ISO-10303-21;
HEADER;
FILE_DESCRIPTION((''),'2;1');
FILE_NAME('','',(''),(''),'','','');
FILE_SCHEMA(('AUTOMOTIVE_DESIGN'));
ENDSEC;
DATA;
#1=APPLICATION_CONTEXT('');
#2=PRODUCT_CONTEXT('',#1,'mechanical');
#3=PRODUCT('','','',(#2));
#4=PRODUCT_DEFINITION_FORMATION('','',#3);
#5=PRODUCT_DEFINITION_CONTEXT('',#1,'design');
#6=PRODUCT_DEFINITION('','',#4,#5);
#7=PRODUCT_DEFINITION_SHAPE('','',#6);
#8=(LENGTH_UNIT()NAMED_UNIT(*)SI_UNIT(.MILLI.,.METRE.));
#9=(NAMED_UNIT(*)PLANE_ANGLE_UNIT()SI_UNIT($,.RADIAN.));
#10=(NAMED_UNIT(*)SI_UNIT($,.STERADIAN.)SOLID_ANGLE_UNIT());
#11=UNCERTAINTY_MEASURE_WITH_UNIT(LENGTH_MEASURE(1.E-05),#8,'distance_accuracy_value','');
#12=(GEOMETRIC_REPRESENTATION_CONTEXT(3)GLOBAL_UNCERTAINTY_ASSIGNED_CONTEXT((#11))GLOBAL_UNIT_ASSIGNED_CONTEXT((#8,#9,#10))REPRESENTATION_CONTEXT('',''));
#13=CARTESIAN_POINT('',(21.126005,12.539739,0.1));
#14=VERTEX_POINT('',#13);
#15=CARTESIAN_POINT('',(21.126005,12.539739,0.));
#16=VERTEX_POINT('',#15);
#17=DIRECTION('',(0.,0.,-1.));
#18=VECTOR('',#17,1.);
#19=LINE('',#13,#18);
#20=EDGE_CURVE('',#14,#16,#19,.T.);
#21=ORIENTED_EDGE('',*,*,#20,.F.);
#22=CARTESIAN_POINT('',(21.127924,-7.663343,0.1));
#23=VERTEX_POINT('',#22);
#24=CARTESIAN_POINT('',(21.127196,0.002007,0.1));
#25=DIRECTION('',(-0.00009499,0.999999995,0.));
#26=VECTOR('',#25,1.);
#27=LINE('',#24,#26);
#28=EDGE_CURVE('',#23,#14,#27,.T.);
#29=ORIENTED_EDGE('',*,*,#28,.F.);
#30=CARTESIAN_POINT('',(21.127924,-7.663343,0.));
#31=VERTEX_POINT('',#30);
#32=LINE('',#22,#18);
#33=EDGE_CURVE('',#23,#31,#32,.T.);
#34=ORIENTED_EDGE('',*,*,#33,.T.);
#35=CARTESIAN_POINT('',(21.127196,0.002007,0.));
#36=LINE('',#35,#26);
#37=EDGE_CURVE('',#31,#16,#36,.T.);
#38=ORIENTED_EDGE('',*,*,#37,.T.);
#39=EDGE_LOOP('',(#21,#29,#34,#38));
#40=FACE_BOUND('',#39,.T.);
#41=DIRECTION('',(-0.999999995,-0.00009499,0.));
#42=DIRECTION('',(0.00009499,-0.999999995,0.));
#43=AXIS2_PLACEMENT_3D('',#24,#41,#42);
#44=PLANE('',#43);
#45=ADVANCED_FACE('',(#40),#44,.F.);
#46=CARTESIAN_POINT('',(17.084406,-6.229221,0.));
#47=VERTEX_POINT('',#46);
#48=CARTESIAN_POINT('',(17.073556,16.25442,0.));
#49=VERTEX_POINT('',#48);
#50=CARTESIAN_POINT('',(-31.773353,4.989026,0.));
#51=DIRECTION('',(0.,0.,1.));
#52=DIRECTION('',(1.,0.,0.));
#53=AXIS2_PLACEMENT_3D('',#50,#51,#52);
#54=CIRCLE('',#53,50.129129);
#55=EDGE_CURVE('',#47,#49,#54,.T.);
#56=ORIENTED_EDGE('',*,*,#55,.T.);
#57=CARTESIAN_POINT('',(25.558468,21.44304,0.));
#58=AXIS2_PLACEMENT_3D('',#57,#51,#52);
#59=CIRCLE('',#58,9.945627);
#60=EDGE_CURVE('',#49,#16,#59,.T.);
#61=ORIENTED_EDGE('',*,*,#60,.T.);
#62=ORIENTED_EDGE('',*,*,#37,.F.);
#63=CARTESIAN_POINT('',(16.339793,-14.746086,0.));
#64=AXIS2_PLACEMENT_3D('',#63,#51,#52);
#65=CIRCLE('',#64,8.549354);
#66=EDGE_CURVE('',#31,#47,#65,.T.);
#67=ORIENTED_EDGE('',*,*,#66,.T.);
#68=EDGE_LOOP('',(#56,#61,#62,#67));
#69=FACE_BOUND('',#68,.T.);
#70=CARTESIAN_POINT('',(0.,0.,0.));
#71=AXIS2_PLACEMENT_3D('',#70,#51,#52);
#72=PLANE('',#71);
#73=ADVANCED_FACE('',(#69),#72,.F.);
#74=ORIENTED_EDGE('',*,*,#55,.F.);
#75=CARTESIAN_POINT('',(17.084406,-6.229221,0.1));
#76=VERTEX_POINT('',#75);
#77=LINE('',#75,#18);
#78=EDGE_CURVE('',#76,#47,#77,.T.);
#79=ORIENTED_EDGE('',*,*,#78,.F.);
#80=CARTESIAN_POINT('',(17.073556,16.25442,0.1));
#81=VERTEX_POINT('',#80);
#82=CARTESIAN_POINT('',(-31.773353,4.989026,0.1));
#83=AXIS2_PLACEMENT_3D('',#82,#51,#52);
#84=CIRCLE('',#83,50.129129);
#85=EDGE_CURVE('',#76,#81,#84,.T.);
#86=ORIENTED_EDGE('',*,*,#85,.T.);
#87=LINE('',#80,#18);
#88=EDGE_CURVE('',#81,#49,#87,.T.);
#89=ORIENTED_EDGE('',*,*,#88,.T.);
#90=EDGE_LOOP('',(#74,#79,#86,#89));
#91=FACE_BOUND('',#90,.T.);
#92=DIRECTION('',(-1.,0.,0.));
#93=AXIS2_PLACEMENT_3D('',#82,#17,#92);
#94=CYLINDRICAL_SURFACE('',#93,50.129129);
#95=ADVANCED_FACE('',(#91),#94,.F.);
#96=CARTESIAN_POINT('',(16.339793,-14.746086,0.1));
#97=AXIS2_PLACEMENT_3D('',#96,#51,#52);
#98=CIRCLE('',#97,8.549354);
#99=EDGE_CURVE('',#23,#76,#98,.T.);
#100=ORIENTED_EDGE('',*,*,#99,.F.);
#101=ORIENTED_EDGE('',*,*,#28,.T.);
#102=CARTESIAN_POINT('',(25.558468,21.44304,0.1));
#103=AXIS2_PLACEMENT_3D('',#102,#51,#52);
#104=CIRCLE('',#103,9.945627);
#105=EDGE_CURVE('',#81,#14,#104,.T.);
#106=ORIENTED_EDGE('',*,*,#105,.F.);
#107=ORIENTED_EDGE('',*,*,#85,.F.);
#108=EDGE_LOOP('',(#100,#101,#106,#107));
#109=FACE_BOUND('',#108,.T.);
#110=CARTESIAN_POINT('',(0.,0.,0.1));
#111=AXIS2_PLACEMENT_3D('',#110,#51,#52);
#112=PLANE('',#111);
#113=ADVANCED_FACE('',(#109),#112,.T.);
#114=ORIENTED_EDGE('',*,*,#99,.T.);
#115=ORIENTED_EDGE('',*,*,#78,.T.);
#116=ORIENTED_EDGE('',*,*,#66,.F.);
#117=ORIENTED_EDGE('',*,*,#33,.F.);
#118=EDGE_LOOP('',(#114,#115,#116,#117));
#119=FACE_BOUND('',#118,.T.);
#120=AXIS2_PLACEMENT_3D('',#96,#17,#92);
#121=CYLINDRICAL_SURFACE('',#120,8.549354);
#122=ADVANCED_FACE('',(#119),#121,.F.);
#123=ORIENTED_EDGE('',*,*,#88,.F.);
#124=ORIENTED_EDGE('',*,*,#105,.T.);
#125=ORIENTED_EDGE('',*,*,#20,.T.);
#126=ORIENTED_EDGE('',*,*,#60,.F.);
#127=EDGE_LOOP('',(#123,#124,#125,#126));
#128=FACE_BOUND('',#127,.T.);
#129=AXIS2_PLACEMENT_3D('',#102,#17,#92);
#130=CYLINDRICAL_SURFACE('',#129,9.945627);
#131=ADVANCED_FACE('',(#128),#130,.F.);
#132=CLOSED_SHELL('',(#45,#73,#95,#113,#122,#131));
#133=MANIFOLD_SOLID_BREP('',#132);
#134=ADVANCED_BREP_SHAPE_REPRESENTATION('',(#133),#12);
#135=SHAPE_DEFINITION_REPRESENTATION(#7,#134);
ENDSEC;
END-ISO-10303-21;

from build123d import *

# Parameters (mm, degrees)
SALIENTE_EXTRUIR1_DEPTH = 0.1


with BuildPart() as part:
    # Model → Saliente-Extruir1 (new body)
    with BuildSketch(Plane.XY):
        with BuildLine():
            ThreePointArc((17.084405856, -6.229220555), (19.197587735, -6.688514617), (21.127924111, -7.663342894))
            Line((21.127924111, -7.663342894), (21.12600502, 12.539738906))
            ThreePointArc((21.12600502, 12.539738906), (18.838024904, 14.111522879), (17.073556452, 16.254420205))
            ThreePointArc((17.073556452, 16.254420205), (18.355771059, 5.013215936), (17.084405856, -6.229220555))
        make_face()
    extrude(amount=SALIENTE_EXTRUIR1_DEPTH)


solid = part.part
